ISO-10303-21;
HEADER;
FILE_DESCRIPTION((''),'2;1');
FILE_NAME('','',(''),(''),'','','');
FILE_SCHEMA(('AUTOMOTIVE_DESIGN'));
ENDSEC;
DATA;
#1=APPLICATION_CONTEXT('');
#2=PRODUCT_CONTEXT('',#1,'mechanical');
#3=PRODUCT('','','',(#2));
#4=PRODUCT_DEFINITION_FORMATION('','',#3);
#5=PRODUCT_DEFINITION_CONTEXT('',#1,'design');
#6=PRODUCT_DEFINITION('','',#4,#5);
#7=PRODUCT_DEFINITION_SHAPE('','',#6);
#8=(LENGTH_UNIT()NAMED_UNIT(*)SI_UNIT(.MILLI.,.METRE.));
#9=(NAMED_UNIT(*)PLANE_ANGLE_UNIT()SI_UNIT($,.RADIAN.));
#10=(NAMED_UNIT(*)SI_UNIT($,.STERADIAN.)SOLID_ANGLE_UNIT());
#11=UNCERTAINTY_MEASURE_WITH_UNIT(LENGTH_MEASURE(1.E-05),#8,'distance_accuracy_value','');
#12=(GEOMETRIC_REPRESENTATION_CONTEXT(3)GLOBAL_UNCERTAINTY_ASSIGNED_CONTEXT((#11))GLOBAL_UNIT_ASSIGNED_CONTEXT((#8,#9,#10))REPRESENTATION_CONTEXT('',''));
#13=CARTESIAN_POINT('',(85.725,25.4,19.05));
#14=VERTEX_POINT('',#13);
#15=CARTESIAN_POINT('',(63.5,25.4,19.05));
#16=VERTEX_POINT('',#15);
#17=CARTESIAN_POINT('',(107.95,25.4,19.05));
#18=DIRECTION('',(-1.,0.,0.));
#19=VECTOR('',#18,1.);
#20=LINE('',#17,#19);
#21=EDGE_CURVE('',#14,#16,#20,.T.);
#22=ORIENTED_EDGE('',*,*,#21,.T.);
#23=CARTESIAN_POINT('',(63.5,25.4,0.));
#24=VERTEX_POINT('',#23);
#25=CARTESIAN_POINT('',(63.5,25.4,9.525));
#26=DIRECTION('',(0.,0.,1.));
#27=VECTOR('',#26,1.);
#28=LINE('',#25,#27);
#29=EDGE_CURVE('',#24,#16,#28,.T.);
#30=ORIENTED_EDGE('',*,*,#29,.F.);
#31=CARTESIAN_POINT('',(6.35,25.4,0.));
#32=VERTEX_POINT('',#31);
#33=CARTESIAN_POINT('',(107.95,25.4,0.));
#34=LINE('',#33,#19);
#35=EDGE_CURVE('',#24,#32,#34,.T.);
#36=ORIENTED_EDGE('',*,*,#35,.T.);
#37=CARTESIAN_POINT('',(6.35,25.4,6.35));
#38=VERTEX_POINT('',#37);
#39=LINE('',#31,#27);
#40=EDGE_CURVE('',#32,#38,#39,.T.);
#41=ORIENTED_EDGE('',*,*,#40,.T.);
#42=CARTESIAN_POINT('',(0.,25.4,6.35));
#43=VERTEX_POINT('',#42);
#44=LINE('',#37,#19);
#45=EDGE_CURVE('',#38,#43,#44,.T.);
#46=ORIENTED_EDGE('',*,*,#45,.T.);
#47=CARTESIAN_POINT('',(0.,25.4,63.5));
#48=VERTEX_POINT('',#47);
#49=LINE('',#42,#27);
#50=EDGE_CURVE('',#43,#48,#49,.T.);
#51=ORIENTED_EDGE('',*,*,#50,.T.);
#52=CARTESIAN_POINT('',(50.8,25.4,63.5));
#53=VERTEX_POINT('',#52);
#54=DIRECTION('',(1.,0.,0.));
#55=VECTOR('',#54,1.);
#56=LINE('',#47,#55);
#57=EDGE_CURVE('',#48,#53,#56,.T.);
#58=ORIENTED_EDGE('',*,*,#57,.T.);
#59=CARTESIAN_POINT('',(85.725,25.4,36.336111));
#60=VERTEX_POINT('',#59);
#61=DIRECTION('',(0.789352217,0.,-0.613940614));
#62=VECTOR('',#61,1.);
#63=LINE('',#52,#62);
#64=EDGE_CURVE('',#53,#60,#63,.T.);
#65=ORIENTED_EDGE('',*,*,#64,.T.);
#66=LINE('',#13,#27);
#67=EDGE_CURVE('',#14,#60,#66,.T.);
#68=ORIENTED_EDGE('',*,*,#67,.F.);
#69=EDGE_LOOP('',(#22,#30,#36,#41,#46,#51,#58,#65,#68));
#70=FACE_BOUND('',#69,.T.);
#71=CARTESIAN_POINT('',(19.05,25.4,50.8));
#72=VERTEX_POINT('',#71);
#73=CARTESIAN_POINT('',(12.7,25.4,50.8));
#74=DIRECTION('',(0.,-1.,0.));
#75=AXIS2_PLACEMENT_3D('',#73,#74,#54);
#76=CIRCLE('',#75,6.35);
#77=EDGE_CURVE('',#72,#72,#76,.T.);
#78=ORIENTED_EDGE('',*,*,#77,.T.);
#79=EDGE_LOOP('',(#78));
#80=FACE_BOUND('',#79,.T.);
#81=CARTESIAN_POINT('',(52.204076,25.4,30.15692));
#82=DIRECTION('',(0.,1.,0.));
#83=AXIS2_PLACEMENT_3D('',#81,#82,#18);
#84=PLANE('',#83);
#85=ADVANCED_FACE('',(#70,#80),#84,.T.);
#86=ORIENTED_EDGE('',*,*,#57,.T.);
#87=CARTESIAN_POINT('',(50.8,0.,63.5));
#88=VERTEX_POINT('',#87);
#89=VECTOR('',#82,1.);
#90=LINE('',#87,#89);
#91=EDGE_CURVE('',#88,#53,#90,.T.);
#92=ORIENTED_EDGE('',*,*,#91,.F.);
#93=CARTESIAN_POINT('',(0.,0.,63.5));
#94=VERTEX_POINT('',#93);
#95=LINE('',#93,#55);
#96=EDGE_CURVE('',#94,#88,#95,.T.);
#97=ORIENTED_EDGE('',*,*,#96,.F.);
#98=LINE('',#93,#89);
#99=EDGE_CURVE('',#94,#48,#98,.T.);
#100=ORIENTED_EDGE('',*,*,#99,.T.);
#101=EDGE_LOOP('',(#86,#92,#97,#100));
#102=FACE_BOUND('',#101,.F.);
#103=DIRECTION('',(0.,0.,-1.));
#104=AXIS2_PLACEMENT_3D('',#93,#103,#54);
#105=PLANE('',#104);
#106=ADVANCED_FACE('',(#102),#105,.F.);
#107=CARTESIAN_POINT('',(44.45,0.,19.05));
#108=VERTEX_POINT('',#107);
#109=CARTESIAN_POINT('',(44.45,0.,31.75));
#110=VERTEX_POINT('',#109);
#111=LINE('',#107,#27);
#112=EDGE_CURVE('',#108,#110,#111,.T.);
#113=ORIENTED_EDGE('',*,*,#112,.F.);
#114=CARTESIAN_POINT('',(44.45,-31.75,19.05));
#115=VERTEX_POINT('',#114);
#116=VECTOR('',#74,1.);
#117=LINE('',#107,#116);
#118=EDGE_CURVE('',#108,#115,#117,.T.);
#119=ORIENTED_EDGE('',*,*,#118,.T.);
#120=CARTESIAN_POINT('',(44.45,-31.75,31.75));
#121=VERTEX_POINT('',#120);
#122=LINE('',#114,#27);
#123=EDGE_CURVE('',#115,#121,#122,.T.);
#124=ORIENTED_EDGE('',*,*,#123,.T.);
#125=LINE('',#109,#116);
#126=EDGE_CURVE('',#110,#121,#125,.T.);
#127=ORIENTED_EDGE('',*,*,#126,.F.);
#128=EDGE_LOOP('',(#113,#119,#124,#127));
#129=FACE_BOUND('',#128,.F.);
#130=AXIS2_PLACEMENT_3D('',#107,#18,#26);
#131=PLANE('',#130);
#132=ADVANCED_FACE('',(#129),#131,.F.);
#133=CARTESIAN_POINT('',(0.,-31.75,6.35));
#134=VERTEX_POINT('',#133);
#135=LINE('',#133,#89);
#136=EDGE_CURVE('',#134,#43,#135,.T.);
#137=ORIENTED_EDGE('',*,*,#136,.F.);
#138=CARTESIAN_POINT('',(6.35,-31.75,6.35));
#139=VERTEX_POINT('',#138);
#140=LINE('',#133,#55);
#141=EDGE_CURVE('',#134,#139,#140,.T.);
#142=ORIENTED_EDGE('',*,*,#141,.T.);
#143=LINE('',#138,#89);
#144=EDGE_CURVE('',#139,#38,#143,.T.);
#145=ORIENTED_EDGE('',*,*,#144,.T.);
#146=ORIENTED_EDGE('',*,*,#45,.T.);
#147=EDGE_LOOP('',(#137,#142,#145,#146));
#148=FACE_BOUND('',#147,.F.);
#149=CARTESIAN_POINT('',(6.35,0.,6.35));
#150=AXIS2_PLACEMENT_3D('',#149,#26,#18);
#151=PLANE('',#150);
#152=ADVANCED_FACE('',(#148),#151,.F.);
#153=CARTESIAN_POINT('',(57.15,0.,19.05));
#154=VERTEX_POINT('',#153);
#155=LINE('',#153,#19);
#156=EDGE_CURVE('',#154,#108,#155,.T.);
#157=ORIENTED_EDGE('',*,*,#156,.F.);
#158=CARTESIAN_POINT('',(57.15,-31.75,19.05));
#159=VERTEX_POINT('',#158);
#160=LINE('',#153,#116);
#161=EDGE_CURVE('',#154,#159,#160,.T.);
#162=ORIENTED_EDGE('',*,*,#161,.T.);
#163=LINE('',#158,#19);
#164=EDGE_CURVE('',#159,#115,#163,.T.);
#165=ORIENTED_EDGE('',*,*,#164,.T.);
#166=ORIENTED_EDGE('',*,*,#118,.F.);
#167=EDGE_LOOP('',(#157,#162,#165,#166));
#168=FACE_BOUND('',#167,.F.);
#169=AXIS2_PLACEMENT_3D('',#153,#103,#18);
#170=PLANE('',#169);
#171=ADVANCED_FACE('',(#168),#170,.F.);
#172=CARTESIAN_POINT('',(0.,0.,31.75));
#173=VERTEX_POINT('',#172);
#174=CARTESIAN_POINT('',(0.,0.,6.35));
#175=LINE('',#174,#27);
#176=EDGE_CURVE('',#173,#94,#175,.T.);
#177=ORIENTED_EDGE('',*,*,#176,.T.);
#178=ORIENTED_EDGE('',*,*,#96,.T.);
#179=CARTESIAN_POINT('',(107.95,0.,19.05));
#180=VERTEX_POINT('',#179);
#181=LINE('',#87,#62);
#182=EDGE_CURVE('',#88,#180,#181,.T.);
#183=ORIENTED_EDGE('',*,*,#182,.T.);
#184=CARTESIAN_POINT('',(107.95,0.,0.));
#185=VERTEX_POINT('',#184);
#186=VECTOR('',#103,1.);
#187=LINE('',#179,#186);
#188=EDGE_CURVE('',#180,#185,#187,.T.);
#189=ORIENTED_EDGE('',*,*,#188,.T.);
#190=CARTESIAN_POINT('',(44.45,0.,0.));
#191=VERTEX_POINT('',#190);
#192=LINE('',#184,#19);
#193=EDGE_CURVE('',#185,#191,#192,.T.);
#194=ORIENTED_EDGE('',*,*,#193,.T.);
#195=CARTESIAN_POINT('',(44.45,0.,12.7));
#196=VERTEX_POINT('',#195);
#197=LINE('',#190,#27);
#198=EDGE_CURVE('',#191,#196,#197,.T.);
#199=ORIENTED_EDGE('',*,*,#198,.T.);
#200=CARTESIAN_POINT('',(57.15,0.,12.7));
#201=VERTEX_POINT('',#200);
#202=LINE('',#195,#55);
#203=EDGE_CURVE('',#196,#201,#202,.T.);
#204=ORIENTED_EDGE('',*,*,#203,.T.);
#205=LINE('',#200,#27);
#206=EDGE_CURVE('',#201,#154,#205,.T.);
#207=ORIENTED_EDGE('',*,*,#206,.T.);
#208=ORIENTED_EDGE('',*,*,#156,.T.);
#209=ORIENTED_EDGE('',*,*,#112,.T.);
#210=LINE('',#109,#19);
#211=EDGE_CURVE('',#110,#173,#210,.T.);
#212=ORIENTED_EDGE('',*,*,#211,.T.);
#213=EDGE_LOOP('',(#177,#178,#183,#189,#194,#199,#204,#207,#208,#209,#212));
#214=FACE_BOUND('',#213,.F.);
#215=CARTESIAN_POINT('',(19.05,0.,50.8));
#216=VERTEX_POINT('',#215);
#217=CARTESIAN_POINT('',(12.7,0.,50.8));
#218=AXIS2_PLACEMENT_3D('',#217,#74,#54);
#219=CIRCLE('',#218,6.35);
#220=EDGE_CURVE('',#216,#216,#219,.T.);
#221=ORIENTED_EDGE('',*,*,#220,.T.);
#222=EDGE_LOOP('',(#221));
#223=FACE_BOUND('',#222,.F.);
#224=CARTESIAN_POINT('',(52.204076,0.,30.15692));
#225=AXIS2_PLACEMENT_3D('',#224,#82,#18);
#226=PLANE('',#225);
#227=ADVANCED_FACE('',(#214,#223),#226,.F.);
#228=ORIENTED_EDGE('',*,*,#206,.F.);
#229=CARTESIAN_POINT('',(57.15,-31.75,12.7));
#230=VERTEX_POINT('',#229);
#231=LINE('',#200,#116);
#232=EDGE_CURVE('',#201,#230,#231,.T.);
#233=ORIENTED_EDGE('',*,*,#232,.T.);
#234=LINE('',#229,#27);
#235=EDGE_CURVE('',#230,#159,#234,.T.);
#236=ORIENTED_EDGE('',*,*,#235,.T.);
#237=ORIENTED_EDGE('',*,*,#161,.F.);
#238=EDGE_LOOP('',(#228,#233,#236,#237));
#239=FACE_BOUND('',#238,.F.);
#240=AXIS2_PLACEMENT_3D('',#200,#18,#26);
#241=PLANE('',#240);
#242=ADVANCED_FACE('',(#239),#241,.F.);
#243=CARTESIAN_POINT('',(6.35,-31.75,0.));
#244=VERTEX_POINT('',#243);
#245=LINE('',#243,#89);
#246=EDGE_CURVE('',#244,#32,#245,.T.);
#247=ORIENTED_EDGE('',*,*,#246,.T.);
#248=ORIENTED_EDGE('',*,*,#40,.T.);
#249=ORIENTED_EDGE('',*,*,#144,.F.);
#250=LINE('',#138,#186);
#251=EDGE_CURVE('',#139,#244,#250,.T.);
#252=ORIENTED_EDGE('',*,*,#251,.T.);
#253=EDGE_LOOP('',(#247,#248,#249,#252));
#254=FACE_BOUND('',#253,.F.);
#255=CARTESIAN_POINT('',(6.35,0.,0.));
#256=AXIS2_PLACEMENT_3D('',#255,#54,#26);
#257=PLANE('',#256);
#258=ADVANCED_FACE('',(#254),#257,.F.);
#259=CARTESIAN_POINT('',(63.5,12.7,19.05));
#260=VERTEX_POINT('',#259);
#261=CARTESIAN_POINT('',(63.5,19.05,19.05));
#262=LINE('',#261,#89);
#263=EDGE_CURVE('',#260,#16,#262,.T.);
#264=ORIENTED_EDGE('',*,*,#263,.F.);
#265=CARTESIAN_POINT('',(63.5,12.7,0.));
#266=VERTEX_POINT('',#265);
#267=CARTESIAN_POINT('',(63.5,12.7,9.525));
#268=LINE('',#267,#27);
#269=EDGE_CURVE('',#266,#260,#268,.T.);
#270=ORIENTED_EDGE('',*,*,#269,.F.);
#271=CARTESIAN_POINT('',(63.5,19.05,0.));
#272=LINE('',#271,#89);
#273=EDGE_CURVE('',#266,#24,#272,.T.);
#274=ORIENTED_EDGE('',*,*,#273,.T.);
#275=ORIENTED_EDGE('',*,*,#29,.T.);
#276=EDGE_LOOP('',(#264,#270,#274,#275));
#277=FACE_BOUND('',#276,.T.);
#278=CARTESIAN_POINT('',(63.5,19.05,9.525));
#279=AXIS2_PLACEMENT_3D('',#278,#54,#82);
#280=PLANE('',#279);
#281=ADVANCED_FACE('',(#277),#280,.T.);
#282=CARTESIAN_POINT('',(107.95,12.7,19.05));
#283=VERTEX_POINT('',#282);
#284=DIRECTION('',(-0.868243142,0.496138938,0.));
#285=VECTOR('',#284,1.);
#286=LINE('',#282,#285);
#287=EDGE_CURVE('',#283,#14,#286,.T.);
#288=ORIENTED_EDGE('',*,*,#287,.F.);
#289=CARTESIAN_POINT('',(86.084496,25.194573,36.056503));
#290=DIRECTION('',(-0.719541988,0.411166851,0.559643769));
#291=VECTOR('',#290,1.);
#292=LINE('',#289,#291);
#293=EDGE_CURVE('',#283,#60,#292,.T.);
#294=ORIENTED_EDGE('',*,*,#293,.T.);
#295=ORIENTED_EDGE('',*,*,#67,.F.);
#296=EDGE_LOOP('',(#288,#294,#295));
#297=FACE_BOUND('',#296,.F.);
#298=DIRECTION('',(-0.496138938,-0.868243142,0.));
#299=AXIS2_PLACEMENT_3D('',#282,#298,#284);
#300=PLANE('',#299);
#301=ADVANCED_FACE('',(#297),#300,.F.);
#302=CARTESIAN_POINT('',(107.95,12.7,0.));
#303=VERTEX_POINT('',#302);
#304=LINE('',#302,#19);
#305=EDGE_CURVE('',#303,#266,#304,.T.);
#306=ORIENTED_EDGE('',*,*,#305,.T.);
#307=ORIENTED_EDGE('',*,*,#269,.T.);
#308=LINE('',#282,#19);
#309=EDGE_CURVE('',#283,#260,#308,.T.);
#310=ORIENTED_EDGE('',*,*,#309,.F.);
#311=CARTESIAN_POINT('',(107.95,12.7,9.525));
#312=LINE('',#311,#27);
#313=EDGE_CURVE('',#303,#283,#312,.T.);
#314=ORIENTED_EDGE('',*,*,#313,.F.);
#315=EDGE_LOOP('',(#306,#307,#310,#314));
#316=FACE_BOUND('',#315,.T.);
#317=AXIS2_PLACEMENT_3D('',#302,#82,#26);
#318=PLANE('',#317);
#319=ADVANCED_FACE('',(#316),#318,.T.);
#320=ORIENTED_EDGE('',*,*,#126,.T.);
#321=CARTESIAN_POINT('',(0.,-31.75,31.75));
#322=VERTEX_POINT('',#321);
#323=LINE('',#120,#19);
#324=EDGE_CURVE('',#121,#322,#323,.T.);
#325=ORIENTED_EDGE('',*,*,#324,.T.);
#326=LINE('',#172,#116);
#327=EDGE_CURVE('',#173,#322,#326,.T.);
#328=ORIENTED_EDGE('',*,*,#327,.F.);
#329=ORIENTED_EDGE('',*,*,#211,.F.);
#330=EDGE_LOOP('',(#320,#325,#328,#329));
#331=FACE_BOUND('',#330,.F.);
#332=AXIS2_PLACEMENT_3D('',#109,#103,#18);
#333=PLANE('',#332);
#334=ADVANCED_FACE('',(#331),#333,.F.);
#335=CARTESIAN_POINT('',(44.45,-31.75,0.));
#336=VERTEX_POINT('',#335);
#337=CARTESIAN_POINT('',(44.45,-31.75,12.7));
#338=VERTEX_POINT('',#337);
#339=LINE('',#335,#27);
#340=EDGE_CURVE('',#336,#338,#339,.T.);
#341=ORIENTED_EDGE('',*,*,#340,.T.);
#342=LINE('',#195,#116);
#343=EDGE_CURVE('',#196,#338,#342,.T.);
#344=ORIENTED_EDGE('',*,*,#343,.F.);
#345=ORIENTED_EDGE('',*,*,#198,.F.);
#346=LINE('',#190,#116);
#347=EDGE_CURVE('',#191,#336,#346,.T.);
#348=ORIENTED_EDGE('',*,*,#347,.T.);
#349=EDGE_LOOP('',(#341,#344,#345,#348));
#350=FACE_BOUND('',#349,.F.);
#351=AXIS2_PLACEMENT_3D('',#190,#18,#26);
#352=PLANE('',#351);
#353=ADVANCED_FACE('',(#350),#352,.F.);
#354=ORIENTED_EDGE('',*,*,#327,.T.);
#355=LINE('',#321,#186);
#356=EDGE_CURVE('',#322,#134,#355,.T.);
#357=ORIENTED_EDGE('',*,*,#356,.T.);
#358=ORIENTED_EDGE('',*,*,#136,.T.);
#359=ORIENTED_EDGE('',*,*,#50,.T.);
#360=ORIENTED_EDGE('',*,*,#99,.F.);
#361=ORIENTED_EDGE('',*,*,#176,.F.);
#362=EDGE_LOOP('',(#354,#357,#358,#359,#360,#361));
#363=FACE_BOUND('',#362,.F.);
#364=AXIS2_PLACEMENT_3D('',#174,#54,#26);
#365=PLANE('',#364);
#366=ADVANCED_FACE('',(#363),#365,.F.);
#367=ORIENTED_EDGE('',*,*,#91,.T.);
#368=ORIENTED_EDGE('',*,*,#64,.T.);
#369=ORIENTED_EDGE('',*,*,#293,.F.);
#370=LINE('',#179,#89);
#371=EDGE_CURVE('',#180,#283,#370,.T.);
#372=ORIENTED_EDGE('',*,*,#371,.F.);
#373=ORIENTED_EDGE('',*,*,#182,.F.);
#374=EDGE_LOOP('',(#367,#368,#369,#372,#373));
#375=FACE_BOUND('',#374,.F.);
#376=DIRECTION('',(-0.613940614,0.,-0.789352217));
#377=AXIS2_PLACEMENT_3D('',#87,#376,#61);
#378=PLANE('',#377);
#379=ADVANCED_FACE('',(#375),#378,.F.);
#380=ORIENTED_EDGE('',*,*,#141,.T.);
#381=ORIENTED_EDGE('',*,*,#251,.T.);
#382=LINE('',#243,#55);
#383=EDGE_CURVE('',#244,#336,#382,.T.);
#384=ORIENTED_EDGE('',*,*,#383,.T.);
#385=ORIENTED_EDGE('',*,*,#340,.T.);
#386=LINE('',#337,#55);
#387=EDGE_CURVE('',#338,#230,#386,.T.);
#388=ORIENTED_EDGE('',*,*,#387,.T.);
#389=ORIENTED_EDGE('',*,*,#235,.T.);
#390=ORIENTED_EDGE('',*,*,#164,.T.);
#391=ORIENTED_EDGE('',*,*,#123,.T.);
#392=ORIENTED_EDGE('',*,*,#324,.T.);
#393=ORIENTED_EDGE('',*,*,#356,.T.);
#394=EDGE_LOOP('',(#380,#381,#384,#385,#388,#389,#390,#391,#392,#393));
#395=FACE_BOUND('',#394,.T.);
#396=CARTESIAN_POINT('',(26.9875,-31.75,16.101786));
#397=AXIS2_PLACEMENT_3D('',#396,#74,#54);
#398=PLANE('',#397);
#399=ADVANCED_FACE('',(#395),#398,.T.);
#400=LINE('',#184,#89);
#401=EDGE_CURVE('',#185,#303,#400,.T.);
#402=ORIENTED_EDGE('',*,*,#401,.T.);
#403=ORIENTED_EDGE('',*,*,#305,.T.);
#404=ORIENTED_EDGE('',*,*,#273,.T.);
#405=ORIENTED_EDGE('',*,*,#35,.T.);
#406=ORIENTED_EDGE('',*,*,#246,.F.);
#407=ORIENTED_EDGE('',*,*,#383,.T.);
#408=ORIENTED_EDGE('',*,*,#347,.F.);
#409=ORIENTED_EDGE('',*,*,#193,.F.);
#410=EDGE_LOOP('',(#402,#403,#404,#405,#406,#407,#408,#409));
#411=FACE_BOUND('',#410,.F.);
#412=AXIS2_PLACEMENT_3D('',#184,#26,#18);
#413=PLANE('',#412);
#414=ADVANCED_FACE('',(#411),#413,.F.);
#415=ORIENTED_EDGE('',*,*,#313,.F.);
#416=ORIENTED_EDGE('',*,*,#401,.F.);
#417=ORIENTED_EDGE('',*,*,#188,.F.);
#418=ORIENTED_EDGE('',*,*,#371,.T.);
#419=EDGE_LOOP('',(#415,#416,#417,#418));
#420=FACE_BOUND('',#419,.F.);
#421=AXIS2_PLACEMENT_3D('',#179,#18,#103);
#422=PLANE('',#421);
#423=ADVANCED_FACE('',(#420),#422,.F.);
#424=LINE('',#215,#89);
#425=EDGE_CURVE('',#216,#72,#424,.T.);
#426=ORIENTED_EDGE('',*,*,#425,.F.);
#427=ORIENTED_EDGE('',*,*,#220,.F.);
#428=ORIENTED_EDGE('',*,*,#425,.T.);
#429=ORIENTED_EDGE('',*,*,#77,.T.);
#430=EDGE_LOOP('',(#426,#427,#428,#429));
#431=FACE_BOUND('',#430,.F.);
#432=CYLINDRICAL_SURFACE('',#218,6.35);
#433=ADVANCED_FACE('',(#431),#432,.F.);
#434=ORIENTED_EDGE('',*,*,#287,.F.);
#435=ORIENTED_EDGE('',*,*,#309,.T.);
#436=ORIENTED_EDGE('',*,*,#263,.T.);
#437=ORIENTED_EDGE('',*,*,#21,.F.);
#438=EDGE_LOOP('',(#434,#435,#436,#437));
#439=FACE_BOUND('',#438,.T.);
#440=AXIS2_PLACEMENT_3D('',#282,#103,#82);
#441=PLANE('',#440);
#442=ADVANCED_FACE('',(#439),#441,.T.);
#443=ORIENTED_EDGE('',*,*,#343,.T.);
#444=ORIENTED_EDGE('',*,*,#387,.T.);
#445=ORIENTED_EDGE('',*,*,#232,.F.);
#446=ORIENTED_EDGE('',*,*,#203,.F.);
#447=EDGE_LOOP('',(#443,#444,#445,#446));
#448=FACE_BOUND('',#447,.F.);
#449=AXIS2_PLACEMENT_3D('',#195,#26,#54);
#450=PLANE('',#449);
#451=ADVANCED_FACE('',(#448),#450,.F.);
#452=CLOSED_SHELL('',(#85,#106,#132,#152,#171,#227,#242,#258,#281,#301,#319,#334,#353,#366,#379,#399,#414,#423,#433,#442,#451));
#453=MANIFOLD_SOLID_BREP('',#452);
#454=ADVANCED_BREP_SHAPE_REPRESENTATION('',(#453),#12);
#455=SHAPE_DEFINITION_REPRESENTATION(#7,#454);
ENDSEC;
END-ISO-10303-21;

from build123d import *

# Parameters (mm, degrees)
F1_DEPTH = 31.75
F3_DEPTH = 25.4
F4_R     = 6.35
F5_DEPTH = 25.4
F6_W     = 12.7
F6_H     = 19.05
F7_DEPTH = 44.45
F9_DEPTH = 44.451


with BuildPart() as f1:
    # F0 (on Front) → F1 (new body)
    with BuildSketch(Plane.XZ):
        Polygon((6.35, 6.35), (6.35, 0), (44.45, 0), (44.45, 12.7), (57.15, 12.7), (57.15, 19.05), (44.45, 19.05), (44.45, 31.75), (0, 31.75), (0, 6.35), align=None)
    extrude(amount=F1_DEPTH)

    # F2 (on face) → F3 (join)
    with BuildSketch(Plane(origin=(0, 0, 0), x_dir=(-1, 0, 0), z_dir=(0, 1, 0))):
        Polygon((-107.95, 0), (-44.45, 0), (-44.45, 12.7), (-57.15, 12.7), (-57.15, 19.05), (-44.45, 19.05), (-44.45, 31.75), (0, 31.75), (0, 63.5), (-50.8, 63.5), (-107.95, 19.05), align=None)
        Polygon((-44.45, 0), (-6.35, 0), (-6.35, 6.35), (0, 6.35), (0, 31.75), (-44.45, 31.75), (-44.45, 19.05), (-57.15, 19.05), (-57.15, 12.7), (-44.45, 12.7), align=None)
    extrude(amount=F3_DEPTH)

    # F4 (on face) → F5 (cut, through all)
    with BuildSketch(Plane.XZ):
        with Locations((12.7, 50.8)):
            Circle(F4_R)
    extrude(amount=-F5_DEPTH, mode=Mode.SUBTRACT)

    # F6 (on face) → F7 (cut)
    with BuildSketch(Plane.YZ.offset(107.95)):
        with Locations((19.05, 9.525)):
            Rectangle(F6_W, F6_H)
    extrude(amount=-F7_DEPTH, mode=Mode.SUBTRACT)

    # F8 (on face) → F9 (cut, through all)
    with BuildSketch(Plane(origin=(0, 0, 19.05), x_dir=(1, 0, 0), z_dir=(0, 0, -1))):
        Polygon((107.95, -25.4), (107.95, -12.7), (85.725, -25.4), align=None)
    extrude(amount=-F9_DEPTH, mode=Mode.SUBTRACT)


solid = f1.part
